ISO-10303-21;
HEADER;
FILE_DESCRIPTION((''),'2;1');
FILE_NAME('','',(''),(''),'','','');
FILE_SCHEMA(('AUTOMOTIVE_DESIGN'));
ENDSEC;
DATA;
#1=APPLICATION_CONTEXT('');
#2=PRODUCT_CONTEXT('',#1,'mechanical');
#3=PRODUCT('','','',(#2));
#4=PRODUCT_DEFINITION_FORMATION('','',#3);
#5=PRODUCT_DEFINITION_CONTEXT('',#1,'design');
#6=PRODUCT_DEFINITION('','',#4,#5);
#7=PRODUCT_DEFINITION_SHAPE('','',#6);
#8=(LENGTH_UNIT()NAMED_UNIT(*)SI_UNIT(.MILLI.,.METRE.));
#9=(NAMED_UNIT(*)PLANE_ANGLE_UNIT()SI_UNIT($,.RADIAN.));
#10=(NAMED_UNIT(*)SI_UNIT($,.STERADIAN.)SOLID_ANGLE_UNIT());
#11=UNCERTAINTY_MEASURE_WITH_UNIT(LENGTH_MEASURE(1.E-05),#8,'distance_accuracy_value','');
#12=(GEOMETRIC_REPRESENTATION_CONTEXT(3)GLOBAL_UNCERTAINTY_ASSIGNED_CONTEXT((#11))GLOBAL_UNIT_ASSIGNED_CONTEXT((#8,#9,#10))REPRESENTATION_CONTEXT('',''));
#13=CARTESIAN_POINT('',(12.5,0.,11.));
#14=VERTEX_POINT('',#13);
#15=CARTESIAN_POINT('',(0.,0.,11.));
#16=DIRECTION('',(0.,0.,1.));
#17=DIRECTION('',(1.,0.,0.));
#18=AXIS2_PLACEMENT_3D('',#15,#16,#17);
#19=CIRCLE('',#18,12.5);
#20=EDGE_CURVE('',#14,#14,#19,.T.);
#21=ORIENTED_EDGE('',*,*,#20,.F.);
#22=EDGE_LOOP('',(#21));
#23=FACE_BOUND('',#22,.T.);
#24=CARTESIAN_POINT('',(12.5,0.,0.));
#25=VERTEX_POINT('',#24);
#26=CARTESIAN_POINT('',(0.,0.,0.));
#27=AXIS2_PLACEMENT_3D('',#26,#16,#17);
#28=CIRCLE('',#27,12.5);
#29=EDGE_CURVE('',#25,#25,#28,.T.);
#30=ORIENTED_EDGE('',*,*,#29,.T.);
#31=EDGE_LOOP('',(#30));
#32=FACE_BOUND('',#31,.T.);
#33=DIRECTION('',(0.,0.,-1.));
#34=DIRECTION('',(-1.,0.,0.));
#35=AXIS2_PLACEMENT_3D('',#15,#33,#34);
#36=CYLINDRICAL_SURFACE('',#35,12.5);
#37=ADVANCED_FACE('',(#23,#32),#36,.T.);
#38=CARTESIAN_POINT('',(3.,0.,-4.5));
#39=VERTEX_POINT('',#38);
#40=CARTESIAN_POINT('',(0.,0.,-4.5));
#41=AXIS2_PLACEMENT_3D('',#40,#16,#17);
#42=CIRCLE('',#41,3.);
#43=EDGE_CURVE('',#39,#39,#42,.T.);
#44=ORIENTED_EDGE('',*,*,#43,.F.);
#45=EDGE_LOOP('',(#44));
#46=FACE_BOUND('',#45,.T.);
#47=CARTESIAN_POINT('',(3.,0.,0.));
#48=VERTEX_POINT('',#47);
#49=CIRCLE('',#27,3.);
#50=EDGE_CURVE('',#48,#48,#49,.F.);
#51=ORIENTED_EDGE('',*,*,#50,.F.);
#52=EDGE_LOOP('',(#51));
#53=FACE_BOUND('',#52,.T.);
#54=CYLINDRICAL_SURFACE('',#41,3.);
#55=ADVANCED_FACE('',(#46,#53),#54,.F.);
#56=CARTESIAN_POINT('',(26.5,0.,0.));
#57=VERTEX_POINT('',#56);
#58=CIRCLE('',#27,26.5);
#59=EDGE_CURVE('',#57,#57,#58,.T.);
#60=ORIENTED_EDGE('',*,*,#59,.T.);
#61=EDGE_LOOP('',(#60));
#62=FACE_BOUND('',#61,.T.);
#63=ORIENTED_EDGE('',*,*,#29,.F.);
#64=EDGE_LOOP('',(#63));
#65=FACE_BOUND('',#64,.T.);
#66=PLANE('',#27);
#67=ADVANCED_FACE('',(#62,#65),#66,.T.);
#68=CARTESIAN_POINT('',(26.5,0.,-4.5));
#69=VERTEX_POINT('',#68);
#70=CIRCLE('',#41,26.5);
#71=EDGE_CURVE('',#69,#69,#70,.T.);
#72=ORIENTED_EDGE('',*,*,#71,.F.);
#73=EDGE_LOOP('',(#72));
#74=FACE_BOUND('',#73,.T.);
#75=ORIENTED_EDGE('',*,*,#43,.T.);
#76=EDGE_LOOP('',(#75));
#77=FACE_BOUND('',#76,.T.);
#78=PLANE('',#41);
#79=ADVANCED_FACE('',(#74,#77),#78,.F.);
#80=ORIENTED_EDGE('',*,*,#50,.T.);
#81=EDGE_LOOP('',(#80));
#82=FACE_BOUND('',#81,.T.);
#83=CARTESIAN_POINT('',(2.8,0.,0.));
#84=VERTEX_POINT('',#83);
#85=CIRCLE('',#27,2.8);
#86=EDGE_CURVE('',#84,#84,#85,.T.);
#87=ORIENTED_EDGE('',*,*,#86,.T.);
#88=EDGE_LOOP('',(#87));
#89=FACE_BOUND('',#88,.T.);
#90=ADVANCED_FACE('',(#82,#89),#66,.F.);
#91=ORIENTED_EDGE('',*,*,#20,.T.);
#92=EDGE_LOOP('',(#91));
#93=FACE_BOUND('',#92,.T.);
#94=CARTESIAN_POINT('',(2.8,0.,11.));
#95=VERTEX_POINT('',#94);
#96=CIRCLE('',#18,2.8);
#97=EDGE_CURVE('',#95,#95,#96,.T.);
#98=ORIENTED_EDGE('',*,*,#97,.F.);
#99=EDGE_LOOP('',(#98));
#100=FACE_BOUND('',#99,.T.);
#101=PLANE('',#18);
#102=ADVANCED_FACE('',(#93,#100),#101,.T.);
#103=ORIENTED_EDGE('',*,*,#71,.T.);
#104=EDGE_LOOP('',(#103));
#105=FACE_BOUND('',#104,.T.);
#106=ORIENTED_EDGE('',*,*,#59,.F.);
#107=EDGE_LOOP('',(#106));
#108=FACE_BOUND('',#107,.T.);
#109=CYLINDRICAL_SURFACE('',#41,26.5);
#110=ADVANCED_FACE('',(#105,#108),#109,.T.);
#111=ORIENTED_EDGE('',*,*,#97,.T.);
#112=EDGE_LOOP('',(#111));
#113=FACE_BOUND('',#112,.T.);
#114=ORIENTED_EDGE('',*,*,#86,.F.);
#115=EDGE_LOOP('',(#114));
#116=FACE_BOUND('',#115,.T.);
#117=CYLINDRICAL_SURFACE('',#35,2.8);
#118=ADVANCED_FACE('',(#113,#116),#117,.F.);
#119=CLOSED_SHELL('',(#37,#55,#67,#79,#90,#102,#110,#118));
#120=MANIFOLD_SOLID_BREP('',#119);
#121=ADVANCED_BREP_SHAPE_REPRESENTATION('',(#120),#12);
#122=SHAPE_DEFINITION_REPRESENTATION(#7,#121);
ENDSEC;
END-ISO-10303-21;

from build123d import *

# Parameters (mm, degrees)
ESQUISSE1_R        = 26.5
ESQUISSE1_R_2      = 3
BOSS_EXTRU_1_DEPTH = 4.5
ESQUISSE2_R        = 12.5
ESQUISSE2_R_2      = 2.8
BOSS_EXTRU_2_DEPTH = 11


with BuildPart() as part:
    # Esquisse1 → Boss.-Extru.1 (new body)
    with BuildSketch(Plane.XY):
        Circle(ESQUISSE1_R)
        Circle(ESQUISSE1_R_2, mode=Mode.SUBTRACT)
    extrude(amount=-BOSS_EXTRU_1_DEPTH)

    # Esquisse2 → Boss.-Extru.2 (add)
    with BuildSketch(Plane.XY):
        Circle(ESQUISSE2_R)
        Circle(ESQUISSE2_R_2, mode=Mode.SUBTRACT)
    extrude(amount=BOSS_EXTRU_2_DEPTH)


solid = part.part
